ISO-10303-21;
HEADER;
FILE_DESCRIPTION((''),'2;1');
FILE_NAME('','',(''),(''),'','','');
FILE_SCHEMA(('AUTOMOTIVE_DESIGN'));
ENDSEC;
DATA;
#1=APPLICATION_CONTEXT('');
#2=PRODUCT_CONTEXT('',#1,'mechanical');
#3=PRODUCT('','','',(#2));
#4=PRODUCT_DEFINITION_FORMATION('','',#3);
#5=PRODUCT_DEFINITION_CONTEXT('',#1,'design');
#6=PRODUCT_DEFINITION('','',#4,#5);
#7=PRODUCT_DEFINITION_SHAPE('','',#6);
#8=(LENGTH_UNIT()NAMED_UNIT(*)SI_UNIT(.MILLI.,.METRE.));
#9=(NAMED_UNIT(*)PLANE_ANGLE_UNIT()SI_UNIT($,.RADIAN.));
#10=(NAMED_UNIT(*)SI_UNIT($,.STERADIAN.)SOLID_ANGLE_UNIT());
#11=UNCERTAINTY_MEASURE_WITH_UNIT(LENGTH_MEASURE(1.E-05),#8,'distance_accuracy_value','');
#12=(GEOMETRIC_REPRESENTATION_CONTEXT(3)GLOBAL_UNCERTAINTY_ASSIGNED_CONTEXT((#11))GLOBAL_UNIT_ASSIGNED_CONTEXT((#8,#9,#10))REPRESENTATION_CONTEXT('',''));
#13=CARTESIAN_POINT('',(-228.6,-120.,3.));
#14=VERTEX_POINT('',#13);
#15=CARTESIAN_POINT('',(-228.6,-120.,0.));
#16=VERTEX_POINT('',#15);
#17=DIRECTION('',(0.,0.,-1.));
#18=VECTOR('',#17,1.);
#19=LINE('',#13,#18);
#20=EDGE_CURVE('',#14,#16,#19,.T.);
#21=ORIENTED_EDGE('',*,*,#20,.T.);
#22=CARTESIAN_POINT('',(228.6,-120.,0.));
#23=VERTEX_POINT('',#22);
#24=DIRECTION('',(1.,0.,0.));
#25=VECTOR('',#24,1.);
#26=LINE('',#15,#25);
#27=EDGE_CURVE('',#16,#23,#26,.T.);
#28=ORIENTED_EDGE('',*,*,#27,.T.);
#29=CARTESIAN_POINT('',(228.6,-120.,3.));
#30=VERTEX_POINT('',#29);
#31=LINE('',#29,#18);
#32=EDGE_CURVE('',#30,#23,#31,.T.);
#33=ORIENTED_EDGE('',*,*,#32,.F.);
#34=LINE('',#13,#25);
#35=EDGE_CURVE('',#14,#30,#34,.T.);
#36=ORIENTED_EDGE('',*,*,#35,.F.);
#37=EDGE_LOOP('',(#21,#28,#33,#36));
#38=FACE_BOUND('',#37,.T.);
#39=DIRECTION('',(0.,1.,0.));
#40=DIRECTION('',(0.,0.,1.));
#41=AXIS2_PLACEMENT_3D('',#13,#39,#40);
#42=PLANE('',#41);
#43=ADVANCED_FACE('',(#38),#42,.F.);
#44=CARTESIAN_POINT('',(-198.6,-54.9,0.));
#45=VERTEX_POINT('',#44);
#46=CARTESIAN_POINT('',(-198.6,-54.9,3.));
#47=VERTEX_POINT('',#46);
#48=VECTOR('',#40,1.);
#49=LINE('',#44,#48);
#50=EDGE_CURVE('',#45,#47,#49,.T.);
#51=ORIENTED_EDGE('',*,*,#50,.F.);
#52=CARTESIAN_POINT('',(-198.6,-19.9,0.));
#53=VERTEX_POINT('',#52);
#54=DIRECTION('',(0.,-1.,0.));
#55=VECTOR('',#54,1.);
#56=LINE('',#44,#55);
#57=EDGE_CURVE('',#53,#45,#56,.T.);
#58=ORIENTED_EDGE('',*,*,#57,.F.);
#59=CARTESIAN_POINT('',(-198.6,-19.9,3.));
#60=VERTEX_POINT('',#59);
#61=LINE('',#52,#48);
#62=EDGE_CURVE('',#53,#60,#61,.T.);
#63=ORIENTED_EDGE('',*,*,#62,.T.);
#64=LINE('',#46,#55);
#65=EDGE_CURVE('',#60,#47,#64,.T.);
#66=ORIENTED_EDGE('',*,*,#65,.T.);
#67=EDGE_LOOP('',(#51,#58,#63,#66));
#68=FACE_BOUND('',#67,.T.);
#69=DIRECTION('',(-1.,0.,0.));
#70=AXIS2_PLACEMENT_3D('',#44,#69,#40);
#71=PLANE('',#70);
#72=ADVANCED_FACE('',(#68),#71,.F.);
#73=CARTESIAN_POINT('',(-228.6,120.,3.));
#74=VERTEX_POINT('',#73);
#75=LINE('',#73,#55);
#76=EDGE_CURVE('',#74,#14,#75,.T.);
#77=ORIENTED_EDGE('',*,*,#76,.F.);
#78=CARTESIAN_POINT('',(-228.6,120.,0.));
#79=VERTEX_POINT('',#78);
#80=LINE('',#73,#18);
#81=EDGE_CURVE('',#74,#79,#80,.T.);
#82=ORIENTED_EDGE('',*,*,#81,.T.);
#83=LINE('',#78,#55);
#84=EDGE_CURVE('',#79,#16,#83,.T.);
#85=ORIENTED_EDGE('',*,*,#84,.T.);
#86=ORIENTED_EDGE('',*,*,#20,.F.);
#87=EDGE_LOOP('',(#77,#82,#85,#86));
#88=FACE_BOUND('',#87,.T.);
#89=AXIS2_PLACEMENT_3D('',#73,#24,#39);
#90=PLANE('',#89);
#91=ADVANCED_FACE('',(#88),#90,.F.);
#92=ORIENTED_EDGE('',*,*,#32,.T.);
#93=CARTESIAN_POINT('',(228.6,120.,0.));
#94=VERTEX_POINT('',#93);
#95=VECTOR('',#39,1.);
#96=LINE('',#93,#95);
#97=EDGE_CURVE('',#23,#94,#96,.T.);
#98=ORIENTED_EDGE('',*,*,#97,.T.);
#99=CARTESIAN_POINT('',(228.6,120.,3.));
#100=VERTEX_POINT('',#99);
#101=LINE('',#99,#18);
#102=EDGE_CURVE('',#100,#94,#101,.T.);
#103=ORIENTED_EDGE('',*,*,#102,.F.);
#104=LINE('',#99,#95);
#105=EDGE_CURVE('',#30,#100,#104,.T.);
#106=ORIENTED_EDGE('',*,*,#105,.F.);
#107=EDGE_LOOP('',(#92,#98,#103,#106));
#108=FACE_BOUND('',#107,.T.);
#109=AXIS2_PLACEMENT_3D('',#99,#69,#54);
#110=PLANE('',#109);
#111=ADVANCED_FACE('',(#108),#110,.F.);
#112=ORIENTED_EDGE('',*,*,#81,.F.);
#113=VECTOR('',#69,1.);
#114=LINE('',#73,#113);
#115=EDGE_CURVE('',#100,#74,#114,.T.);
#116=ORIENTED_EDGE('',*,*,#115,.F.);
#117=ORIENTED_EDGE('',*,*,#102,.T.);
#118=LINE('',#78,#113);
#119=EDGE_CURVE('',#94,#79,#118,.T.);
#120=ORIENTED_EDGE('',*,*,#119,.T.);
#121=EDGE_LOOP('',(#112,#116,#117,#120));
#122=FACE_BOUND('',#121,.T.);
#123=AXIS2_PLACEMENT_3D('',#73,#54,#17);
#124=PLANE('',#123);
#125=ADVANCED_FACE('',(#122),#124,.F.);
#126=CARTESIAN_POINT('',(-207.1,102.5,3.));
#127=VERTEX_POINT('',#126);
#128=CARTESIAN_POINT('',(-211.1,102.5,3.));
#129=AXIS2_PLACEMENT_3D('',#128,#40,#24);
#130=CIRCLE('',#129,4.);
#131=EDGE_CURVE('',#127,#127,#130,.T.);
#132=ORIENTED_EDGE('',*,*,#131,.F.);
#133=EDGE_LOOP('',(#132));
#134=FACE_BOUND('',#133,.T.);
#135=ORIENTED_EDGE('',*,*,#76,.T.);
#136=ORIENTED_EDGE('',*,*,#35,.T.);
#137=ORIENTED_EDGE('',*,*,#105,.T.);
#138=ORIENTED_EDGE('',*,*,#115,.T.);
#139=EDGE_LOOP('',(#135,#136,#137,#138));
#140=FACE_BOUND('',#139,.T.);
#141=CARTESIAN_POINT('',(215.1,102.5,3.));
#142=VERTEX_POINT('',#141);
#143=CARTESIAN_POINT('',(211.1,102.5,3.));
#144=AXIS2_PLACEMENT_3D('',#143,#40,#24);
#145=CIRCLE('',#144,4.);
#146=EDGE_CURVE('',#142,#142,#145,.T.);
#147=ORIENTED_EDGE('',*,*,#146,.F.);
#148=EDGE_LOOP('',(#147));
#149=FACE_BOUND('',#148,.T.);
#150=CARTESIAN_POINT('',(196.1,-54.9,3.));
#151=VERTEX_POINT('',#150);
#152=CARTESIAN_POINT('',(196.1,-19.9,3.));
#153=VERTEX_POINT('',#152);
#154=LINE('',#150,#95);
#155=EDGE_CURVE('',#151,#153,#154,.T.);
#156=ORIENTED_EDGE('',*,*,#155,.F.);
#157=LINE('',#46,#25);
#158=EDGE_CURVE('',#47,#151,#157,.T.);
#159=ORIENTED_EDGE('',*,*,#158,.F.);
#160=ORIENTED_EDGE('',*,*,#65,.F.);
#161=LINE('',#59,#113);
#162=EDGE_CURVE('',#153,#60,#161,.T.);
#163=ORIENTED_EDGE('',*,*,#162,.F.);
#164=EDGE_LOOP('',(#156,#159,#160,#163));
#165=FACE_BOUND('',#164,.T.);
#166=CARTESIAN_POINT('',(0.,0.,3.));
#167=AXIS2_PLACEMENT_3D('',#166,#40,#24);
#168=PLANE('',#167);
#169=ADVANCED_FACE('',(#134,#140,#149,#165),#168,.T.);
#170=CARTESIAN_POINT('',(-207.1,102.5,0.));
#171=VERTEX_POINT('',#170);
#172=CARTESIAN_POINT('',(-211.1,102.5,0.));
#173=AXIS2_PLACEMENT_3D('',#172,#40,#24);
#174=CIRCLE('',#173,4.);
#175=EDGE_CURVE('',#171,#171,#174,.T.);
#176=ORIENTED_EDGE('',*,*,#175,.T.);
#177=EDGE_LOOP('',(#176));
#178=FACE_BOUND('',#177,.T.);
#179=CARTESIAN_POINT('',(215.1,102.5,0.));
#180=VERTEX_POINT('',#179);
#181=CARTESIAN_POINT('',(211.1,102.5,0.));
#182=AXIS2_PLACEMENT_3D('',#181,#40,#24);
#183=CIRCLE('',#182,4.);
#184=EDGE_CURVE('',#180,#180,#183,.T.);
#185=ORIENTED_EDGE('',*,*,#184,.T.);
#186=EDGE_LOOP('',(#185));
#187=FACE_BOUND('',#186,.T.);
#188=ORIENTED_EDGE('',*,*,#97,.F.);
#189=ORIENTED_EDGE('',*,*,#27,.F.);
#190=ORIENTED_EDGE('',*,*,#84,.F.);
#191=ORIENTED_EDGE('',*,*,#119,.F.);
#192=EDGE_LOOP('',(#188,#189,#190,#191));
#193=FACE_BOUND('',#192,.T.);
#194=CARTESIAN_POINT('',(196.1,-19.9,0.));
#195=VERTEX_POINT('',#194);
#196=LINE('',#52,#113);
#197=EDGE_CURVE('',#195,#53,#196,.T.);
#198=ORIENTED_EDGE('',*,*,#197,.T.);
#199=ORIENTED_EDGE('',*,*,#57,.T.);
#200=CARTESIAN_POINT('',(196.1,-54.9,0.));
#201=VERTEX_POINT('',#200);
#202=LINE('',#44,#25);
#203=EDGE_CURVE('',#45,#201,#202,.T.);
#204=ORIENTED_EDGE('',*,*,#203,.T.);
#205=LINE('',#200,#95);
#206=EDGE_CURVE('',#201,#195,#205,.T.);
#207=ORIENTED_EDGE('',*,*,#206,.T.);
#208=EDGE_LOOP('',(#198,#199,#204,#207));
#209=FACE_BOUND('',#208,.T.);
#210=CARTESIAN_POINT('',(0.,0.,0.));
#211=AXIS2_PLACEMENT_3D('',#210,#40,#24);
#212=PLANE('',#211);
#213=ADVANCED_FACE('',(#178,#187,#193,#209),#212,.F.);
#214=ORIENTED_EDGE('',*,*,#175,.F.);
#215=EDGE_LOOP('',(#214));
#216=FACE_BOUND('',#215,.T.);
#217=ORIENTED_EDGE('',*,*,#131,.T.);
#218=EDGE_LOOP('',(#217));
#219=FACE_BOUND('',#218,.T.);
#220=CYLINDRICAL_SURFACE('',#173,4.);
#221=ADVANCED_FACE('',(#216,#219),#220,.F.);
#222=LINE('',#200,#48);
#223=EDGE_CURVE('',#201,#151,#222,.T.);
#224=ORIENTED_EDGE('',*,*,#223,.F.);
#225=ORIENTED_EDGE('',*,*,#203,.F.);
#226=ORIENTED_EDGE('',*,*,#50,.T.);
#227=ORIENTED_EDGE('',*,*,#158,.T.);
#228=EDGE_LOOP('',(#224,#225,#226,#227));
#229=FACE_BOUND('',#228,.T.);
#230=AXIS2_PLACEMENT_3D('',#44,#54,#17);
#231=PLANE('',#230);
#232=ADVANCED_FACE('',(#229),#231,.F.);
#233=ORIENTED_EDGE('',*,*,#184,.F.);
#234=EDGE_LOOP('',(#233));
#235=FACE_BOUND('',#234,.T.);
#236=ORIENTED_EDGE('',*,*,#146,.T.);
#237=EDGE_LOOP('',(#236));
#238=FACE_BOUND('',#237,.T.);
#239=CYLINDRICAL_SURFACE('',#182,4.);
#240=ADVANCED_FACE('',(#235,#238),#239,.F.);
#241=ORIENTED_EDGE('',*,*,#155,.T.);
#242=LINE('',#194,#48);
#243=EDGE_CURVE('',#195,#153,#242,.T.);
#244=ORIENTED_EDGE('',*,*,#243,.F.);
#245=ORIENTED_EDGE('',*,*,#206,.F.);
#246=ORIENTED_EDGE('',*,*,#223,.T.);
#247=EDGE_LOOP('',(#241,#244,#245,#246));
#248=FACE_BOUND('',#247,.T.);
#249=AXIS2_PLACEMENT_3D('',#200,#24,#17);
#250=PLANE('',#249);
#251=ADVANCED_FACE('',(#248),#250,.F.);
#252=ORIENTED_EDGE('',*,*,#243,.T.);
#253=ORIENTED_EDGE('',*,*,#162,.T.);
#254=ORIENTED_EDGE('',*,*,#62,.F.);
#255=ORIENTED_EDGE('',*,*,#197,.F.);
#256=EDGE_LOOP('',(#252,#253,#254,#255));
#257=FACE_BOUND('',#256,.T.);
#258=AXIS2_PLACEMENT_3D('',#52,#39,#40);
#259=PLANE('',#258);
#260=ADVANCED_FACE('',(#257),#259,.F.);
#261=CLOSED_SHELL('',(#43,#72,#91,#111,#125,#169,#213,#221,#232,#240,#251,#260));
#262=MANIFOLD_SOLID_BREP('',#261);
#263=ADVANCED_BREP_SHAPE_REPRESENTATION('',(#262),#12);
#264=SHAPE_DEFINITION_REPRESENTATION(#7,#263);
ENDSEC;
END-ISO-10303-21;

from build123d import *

# Parameters (mm, degrees)
SKETCH1_W           = 457.2
SKETCH1_H           = 240
BOSS_EXTRUDE1_DEPTH = 3
SKETCH2_R           = 4
CUT_EXTRUDE1_DEPTH  = 259.199457784
SKETCH3_W           = 394.7
SKETCH3_H           = 35
CUT_EXTRUDE2_DEPTH  = 259.199457784


with BuildPart() as part:
    # Sketch1 → Boss-Extrude1 (new body)
    with BuildSketch(Plane.XY):
        Rectangle(SKETCH1_W, SKETCH1_H)
    extrude(amount=BOSS_EXTRUDE1_DEPTH)

    # Sketch2 → Cut-Extrude1 (cut, through all)
    with BuildSketch(Plane.XY.offset(3)):
        with Locations((-211.1, 102.5)):
            Circle(SKETCH2_R)
        with Locations((211.1, 102.5)):
            Circle(SKETCH2_R)
    extrude(amount=-CUT_EXTRUDE1_DEPTH, mode=Mode.SUBTRACT)

    # Sketch3 → Cut-Extrude2 (cut, through all)
    with BuildSketch(Plane.XY.offset(3)):
        with Locations((-1.25, -37.4)):
            Rectangle(SKETCH3_W, SKETCH3_H)
    extrude(amount=-CUT_EXTRUDE2_DEPTH, mode=Mode.SUBTRACT)


solid = part.part
